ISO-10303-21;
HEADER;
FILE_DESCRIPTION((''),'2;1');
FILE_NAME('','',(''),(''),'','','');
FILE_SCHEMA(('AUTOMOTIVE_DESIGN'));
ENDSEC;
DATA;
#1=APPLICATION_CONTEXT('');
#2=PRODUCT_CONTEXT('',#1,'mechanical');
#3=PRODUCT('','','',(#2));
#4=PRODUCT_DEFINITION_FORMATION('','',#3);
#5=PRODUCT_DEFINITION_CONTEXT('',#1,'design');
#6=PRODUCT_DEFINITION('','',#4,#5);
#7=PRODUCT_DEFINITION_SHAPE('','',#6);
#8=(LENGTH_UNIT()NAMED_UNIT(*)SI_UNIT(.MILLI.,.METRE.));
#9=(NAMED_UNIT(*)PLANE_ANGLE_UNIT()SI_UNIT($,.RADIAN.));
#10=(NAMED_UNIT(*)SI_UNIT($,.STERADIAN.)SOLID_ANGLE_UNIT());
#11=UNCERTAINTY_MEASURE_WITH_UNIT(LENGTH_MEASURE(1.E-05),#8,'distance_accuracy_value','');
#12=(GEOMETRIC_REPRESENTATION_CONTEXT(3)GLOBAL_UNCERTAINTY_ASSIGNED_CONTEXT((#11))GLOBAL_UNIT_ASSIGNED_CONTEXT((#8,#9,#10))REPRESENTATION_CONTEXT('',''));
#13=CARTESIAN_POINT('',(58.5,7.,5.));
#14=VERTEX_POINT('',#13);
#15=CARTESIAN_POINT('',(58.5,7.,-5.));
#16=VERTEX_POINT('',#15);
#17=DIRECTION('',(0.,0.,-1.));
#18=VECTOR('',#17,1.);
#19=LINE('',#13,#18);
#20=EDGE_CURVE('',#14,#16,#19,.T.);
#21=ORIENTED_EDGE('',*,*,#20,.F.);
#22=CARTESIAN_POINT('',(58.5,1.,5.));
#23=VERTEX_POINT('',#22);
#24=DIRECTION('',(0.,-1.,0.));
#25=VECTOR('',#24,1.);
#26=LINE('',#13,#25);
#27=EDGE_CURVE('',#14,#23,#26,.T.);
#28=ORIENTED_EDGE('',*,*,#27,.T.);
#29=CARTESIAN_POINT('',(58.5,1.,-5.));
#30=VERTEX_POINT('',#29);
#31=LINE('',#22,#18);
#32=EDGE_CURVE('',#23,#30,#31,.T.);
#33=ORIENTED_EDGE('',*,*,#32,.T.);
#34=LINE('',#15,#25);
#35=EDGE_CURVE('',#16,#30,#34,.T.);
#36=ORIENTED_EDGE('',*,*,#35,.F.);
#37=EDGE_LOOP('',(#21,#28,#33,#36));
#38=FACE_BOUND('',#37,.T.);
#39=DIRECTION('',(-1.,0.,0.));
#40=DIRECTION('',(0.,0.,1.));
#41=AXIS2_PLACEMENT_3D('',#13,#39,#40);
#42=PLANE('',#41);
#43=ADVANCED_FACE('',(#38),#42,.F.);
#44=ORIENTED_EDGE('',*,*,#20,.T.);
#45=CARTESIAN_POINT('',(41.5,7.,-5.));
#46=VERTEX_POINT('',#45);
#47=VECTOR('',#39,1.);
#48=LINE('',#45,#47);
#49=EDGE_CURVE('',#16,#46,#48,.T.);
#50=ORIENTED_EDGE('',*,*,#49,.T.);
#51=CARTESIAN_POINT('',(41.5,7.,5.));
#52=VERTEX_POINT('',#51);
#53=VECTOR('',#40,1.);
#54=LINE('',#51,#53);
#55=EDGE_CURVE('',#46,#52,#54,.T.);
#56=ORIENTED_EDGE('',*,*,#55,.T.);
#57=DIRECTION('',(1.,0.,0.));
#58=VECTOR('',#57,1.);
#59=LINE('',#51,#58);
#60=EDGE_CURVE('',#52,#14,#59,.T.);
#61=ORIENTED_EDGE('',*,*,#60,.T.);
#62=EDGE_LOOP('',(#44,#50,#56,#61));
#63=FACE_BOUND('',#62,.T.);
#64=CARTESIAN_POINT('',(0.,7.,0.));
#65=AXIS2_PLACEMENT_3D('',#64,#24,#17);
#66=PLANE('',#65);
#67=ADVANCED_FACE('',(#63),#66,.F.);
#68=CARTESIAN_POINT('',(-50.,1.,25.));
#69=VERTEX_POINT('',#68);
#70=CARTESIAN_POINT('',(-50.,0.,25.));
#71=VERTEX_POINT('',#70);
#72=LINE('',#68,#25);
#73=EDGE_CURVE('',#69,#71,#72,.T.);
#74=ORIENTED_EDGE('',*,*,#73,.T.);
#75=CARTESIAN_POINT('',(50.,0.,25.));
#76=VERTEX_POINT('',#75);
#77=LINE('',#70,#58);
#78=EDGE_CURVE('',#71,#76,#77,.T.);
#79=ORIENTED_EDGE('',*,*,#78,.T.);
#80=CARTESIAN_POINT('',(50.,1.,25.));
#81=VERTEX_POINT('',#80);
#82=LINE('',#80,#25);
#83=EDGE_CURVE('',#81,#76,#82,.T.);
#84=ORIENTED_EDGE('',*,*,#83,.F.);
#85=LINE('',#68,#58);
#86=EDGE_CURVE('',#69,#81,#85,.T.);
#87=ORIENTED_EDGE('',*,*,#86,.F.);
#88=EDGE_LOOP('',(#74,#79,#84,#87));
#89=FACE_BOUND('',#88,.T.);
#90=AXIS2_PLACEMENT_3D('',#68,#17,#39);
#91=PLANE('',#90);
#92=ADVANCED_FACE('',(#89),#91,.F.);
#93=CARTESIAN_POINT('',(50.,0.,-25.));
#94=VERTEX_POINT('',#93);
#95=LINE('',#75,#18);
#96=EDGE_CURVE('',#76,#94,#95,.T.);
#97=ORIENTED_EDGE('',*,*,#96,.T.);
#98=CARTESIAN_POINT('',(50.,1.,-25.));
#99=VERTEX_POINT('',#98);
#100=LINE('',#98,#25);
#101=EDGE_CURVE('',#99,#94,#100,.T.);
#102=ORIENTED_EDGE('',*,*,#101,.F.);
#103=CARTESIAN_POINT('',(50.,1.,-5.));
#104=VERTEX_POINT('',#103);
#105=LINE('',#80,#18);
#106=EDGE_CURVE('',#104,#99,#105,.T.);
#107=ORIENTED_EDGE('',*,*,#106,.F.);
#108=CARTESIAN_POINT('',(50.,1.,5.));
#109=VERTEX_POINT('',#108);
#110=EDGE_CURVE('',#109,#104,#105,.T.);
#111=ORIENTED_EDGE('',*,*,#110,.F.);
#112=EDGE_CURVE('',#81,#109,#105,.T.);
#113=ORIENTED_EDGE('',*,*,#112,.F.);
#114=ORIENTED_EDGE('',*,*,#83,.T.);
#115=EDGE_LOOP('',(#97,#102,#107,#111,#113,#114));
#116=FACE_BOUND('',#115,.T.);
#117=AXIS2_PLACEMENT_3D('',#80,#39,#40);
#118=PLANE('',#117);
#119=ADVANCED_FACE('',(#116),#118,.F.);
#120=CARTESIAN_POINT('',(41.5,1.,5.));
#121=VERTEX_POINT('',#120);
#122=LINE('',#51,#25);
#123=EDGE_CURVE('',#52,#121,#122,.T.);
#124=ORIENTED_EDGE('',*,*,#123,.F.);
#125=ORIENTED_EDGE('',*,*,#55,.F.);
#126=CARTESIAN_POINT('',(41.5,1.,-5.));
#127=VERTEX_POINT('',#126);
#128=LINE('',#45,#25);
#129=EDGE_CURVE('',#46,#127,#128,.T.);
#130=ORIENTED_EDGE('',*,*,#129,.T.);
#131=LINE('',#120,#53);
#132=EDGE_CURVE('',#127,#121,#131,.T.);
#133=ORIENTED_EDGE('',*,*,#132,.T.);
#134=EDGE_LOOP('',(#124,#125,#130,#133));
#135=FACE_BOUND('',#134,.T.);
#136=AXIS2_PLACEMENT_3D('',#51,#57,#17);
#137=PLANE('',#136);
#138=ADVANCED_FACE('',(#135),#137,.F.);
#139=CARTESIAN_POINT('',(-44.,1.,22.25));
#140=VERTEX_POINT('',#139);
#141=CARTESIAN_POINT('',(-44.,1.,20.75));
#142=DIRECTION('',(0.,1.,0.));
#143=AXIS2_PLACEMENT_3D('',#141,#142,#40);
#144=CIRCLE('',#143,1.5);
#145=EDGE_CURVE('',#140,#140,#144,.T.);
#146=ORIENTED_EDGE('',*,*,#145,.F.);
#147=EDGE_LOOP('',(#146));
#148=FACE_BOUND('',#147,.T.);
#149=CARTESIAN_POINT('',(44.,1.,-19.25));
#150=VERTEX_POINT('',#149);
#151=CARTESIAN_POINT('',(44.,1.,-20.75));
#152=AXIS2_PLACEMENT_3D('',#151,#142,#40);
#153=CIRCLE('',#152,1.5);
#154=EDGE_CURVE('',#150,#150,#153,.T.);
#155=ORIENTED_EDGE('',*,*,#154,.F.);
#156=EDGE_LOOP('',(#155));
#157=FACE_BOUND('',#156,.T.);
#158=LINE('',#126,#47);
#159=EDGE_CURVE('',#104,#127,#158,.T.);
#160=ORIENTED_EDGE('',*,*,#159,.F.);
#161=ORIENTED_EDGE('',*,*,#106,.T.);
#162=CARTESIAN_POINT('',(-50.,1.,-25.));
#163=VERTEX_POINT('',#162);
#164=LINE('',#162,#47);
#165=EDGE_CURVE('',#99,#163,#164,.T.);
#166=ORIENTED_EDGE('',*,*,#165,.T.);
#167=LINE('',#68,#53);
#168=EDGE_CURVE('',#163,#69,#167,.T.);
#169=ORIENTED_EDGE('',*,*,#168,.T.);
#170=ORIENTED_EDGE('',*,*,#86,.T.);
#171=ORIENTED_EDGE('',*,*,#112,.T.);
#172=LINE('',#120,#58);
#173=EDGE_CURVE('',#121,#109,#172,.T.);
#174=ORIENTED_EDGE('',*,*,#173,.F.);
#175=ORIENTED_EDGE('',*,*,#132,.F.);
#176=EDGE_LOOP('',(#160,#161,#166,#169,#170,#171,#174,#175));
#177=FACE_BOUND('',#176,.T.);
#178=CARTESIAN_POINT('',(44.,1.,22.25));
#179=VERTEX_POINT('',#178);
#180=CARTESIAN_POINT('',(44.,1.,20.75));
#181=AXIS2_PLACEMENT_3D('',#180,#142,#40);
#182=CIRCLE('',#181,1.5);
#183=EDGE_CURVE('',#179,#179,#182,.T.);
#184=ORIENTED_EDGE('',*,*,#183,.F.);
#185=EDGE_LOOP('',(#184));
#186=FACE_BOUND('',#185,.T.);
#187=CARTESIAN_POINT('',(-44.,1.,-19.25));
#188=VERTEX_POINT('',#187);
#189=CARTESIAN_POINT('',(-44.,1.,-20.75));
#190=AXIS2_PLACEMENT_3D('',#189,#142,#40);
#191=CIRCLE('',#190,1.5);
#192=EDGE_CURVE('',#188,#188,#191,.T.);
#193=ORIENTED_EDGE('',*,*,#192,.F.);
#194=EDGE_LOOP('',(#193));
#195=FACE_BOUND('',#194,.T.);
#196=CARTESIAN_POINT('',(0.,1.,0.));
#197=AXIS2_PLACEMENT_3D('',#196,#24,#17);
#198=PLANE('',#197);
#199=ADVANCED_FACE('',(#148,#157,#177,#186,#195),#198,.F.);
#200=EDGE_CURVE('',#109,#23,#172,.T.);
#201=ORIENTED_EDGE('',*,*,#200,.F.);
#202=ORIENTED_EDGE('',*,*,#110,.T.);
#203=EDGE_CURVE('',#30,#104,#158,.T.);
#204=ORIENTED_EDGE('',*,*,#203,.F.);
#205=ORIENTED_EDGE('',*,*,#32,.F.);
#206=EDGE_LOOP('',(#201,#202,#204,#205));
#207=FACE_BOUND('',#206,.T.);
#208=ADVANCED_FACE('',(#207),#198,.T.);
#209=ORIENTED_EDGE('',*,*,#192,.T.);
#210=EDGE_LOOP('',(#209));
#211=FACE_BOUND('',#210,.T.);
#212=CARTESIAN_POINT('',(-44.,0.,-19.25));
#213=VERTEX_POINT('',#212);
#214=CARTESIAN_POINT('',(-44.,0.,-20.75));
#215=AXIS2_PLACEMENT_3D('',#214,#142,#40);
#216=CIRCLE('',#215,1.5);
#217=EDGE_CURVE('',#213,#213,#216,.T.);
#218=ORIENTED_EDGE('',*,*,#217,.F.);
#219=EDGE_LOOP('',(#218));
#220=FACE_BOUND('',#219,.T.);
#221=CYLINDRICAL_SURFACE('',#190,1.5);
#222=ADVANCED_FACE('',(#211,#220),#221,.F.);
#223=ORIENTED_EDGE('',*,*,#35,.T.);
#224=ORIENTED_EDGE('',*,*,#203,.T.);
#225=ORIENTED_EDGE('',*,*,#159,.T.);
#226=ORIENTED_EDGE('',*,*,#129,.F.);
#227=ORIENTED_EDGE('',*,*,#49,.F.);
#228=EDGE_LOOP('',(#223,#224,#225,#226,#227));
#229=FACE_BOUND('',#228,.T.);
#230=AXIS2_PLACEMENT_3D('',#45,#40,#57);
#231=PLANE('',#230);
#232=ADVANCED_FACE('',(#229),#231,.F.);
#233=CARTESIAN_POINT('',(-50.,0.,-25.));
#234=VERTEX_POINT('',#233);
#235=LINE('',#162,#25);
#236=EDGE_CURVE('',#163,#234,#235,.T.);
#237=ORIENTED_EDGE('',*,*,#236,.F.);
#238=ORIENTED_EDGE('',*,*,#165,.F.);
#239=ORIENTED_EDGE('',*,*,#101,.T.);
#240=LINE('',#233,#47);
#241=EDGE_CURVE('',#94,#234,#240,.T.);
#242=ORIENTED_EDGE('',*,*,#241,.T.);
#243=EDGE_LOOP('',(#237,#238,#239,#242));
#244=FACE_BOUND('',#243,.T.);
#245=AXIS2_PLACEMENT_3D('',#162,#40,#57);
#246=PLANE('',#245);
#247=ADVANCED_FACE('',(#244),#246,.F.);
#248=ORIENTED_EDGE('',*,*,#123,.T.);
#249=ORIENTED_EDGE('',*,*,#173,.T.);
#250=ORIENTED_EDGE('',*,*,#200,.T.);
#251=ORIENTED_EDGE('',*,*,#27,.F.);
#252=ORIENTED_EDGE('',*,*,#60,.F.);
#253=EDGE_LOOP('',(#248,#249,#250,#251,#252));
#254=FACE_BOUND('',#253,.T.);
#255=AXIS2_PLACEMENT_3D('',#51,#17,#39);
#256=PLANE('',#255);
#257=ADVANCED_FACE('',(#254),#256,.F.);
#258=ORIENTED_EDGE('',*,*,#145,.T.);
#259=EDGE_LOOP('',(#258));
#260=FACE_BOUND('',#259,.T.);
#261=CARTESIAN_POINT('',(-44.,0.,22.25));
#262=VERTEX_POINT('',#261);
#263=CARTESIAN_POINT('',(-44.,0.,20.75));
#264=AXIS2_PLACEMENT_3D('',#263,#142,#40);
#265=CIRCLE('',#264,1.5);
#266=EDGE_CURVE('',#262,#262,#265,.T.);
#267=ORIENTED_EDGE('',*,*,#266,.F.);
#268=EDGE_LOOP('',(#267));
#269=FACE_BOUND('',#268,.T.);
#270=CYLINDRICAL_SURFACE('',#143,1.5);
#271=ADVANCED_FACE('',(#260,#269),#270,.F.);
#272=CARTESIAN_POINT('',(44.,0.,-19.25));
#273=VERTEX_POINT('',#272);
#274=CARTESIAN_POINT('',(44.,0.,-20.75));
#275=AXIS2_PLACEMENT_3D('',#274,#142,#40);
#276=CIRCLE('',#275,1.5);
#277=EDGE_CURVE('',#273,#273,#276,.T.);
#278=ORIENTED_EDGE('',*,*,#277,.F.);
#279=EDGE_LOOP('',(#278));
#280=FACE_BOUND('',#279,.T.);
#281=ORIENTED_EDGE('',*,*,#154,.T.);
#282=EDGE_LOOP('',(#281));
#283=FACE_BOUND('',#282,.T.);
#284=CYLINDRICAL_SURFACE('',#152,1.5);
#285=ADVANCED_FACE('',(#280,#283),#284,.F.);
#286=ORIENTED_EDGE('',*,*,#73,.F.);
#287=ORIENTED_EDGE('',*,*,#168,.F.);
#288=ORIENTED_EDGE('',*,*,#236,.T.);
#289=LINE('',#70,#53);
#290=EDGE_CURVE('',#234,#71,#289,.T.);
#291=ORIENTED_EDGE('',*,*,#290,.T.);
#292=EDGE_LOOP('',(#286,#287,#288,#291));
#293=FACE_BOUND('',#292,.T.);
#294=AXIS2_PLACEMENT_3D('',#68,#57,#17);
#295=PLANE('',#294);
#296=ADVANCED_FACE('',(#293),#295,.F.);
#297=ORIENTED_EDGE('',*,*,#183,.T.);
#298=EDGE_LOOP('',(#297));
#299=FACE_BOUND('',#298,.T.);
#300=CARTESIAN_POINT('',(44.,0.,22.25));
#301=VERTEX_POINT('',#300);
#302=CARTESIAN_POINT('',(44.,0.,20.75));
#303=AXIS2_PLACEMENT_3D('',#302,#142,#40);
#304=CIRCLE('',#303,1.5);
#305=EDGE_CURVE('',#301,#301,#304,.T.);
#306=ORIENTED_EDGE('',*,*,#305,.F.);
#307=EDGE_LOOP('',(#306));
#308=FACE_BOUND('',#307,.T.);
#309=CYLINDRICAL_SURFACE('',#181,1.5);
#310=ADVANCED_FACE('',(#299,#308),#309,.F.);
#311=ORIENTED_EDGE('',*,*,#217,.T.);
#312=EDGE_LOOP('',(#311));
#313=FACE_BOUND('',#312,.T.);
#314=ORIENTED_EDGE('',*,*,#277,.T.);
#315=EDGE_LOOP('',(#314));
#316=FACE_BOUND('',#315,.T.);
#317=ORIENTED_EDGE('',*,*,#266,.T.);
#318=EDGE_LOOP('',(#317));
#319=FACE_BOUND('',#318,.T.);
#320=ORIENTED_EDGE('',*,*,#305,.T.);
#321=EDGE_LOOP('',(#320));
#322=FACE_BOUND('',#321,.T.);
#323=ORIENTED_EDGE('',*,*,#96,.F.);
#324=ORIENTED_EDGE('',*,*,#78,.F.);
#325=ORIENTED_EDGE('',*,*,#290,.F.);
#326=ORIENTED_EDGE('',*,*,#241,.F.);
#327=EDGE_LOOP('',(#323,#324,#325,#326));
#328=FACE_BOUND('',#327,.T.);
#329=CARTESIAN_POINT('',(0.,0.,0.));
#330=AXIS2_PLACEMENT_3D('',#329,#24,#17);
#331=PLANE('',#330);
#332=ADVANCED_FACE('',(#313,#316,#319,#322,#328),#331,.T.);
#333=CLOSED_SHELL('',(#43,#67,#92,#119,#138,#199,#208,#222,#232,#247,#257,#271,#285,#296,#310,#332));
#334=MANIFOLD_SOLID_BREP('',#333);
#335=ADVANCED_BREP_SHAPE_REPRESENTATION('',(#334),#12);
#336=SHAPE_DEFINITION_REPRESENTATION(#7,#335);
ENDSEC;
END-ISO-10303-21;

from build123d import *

# Parameters (mm, degrees)
SKETCH_1_W      = 100
SKETCH_1_H      = 50
EXTRUDE_1_DEPTH = 1
SKETCH_2_W      = 17
SKETCH_2_H      = 10
EXTRUDE_2_DEPTH = 6
HOLE_WIZARD_1_D = 3


with BuildPart() as part:
    # 草图1 → 凸台-拉伸1 (new body)
    with BuildSketch(Plane(origin=(0, 0, 0), x_dir=(1, 0, 0), z_dir=(0, 1, 0))):
        Rectangle(SKETCH_1_W, SKETCH_1_H)
    extrude(amount=EXTRUDE_1_DEPTH)

    # 草图2 → 凸台-拉伸2 (add)
    with BuildSketch(Plane(origin=(0, 1, 0), x_dir=(1, 0, 0), z_dir=(0, 1, 0))):
        with Locations((50, 0)):
            Rectangle(SKETCH_2_W, SKETCH_2_H)
    extrude(amount=EXTRUDE_2_DEPTH)

    # 孔1 (through all)
    with Locations(Plane(origin=(0, 1, 0), x_dir=(1, 0, 0), z_dir=(0, 1, 0))):
        with Locations((-44, 20.75), (-44, -20.75), (44, -20.75), (44, 20.75)):
            Hole(HOLE_WIZARD_1_D / 2)


solid = part.part
